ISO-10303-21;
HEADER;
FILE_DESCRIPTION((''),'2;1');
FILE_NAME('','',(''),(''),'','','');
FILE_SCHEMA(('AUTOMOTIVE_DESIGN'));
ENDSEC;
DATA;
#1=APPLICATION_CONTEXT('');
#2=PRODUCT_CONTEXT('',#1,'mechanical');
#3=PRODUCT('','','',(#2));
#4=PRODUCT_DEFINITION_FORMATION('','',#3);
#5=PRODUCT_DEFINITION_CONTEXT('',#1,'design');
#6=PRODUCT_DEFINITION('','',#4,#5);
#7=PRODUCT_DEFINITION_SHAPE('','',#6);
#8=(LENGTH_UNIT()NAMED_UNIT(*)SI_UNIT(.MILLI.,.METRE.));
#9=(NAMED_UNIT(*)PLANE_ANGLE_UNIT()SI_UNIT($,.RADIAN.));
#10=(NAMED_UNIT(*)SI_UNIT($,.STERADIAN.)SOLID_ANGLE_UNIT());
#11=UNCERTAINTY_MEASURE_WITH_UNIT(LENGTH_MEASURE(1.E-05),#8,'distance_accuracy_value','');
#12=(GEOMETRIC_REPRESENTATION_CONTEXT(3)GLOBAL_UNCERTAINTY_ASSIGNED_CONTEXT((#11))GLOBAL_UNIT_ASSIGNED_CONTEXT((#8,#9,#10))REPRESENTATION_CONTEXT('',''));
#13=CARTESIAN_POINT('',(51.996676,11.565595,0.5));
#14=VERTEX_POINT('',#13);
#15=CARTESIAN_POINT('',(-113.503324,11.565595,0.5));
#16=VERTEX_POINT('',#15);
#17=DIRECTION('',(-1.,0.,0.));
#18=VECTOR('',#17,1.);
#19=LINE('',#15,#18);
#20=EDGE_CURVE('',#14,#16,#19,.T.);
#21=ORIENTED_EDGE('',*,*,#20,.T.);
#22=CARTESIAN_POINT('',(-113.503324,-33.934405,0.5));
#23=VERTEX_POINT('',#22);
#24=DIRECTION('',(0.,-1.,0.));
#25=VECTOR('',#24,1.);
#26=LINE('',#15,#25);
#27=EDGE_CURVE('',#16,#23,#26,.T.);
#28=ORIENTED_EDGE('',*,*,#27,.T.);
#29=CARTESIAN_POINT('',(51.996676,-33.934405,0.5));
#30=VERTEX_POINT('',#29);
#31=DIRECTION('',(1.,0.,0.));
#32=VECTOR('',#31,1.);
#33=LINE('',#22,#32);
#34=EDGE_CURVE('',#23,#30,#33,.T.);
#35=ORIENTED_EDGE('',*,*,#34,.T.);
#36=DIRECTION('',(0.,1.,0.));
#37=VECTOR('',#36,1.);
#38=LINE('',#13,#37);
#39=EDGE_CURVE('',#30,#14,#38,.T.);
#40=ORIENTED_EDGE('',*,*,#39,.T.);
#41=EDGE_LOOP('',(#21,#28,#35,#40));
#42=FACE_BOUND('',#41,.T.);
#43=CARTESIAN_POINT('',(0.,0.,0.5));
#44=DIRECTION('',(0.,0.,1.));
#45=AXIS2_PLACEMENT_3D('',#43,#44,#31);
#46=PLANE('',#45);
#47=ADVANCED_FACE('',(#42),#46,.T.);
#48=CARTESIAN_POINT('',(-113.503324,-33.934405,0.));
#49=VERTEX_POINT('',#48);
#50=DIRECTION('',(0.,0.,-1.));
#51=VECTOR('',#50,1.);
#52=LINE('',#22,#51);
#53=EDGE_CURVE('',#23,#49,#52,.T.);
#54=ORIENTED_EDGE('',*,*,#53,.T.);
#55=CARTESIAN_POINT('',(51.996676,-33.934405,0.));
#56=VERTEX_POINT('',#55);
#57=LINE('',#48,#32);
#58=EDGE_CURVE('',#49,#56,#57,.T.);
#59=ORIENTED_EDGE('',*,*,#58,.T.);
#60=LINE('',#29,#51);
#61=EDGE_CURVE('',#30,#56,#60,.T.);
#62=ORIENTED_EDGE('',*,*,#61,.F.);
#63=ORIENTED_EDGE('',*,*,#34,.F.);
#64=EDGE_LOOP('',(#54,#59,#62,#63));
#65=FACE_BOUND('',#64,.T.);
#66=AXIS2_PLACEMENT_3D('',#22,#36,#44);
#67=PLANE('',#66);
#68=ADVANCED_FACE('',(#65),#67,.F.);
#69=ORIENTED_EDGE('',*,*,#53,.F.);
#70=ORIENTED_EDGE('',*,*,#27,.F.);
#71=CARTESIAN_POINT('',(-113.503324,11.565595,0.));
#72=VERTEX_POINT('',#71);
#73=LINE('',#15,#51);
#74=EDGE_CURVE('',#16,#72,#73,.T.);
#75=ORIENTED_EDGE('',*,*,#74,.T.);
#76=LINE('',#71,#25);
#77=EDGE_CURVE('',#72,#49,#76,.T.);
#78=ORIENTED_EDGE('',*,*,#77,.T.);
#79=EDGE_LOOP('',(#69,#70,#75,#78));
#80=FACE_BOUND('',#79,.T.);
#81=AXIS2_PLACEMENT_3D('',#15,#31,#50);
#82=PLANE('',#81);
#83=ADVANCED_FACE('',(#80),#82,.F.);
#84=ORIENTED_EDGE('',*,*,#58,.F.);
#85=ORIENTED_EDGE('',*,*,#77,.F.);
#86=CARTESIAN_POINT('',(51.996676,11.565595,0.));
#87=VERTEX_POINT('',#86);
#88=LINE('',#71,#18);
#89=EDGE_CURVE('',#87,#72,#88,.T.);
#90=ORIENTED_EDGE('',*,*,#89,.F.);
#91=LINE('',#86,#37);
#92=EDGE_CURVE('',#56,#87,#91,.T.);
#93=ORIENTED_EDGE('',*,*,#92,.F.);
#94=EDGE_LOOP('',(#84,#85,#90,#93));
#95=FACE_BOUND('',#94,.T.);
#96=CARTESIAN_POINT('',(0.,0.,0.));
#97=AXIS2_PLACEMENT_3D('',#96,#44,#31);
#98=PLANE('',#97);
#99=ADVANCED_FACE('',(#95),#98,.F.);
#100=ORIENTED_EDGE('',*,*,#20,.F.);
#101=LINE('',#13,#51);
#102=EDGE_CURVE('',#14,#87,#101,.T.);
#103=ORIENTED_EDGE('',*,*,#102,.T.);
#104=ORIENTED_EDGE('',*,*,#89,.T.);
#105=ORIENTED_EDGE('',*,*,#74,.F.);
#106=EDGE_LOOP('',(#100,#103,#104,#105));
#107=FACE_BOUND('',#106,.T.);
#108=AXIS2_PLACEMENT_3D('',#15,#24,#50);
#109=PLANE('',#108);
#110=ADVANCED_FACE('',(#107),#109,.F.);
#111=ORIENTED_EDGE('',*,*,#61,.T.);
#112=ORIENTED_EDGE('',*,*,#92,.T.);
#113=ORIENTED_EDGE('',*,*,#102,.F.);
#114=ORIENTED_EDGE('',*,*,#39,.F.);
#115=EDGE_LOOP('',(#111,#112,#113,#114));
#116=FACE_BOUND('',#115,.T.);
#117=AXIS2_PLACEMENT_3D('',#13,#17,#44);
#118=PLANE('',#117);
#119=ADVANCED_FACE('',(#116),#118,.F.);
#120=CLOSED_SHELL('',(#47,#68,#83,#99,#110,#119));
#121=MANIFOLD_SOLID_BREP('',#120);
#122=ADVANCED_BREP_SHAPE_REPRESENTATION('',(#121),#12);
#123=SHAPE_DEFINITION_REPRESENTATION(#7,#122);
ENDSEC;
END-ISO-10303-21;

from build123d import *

# Parameters (mm, degrees)
SKETCH_1_W      = 165.5
SKETCH_1_H      = 45.5
EXTRUDE_1_DEPTH = 0.5


with BuildPart() as part:
    # 草图1 → 凸台-拉伸1 (new body)
    with BuildSketch(Plane.XY):
        with Locations((-30.753324334, -11.184405172)):
            Rectangle(SKETCH_1_W, SKETCH_1_H)
    extrude(amount=EXTRUDE_1_DEPTH)


solid = part.part
